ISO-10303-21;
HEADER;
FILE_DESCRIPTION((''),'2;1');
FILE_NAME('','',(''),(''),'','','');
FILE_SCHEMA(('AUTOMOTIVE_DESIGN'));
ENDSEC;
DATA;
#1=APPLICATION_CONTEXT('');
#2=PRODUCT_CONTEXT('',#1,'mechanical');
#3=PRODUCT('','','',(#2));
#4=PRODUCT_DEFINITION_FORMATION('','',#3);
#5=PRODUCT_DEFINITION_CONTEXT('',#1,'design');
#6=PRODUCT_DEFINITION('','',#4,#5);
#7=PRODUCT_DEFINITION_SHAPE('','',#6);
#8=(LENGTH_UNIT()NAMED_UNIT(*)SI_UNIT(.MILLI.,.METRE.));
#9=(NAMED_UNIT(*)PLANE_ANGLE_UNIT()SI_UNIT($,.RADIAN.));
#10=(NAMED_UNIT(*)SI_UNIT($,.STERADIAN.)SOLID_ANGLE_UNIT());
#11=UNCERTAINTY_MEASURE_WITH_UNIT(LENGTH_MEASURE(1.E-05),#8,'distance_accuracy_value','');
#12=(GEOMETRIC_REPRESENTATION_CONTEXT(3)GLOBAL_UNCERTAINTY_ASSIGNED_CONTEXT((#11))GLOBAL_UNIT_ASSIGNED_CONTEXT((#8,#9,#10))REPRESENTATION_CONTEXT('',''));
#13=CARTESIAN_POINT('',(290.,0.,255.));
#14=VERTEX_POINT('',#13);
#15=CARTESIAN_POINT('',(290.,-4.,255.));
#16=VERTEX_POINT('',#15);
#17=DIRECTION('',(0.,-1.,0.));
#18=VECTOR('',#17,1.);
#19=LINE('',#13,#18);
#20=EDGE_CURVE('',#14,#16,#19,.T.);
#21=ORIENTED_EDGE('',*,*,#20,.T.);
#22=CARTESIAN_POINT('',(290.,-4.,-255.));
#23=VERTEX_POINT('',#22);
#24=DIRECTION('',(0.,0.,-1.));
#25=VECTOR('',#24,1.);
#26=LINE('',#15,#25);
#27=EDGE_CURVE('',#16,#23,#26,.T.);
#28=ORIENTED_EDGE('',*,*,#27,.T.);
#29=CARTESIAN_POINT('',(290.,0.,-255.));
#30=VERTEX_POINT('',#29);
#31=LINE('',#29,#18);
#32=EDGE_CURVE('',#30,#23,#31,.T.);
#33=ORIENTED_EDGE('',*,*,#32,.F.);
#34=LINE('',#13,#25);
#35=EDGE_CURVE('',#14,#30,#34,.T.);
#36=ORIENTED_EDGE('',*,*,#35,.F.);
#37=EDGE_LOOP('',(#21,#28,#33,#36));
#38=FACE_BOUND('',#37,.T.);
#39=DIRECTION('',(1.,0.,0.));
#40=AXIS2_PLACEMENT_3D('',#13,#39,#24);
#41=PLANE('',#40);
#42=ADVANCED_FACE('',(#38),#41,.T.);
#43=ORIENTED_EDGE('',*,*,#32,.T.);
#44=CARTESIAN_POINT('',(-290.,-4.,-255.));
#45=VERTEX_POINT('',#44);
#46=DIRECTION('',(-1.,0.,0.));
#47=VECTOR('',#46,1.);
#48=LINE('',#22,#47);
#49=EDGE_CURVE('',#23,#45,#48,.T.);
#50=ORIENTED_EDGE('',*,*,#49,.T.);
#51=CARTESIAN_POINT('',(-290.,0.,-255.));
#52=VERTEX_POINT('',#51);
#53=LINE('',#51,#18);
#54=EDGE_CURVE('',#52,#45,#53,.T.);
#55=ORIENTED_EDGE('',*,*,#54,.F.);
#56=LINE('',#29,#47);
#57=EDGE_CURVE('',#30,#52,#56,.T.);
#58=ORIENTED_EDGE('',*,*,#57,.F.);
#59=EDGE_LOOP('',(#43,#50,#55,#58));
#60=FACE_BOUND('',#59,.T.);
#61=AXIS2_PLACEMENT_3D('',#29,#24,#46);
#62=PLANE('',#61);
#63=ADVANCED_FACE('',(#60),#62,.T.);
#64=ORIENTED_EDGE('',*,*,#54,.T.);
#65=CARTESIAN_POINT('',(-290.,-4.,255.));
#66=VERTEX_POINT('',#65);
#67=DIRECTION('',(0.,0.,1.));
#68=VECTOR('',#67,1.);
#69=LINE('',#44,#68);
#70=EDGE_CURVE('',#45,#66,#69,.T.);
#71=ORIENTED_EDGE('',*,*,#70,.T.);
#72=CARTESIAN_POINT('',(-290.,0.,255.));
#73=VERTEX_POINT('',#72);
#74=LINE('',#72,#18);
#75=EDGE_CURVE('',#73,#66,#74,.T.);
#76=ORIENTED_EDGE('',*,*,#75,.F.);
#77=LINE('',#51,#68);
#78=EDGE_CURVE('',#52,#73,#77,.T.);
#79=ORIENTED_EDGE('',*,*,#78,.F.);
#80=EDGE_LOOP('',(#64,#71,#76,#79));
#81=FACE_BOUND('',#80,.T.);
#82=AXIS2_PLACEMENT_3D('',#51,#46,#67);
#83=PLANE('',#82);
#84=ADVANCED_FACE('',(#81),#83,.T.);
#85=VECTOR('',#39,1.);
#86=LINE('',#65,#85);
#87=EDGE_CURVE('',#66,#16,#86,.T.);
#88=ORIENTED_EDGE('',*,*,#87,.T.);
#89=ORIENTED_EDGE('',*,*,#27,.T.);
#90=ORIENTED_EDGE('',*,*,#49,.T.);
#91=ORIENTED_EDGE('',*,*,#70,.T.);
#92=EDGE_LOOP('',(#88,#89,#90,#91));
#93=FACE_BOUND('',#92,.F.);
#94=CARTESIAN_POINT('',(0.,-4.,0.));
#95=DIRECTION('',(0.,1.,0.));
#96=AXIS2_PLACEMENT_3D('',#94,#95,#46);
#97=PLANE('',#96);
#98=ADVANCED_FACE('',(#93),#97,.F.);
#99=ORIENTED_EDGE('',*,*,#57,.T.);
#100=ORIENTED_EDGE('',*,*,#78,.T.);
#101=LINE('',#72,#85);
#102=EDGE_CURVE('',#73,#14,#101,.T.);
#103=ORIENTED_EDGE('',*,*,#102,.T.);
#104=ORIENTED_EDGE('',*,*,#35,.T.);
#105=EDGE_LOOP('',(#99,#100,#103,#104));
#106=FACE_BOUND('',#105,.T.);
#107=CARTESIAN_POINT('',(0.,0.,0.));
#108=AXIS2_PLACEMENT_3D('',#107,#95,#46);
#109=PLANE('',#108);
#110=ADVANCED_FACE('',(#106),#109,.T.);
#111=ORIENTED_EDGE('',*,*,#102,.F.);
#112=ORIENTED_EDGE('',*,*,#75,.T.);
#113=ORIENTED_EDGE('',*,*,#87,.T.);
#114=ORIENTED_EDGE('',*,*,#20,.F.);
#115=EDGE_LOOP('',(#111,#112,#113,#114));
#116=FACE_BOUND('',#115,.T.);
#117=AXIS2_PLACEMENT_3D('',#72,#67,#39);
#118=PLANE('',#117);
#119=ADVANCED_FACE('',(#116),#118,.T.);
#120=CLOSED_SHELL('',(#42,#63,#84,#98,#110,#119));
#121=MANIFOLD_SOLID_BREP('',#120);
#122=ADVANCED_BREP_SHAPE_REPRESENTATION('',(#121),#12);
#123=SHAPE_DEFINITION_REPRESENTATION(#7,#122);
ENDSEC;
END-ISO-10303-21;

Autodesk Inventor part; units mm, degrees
ref_plane "YZ Plane" through (0, 0, 0) normal (1, 0, 0) x (0, 1, 0)
ref_plane "XZ Plane" through (0, 0, 0) normal (0, 1, 0) x (-1, 0, 0)
ref_plane "XY Plane" through (0, 0, 0) normal (0, 0, 1) x (1, 0, 0)
sketch "Sketch1" plane through (0, 0, 0) normal (0, 1, 0) x (-1, 0, 0)
  line L0 (290, 255) -> (-290, 255)
  line L1 (-290, 255) -> (-290, -255)
  line L2 (-290, -255) -> (290, -255)
  line L3 (290, -255) -> (290, 255)
  line L4 (290, 255) -> (-290, -255) construction
  line L5 (-290, 255) -> (290, -255) construction
  point P0 (0, 0)
  dimension "d0" = 580
  dimension "d1" = 510
extrude "Extrusion1" add sketch "Sketch1" against normal blind 4
properties part number "Piano cottura"
